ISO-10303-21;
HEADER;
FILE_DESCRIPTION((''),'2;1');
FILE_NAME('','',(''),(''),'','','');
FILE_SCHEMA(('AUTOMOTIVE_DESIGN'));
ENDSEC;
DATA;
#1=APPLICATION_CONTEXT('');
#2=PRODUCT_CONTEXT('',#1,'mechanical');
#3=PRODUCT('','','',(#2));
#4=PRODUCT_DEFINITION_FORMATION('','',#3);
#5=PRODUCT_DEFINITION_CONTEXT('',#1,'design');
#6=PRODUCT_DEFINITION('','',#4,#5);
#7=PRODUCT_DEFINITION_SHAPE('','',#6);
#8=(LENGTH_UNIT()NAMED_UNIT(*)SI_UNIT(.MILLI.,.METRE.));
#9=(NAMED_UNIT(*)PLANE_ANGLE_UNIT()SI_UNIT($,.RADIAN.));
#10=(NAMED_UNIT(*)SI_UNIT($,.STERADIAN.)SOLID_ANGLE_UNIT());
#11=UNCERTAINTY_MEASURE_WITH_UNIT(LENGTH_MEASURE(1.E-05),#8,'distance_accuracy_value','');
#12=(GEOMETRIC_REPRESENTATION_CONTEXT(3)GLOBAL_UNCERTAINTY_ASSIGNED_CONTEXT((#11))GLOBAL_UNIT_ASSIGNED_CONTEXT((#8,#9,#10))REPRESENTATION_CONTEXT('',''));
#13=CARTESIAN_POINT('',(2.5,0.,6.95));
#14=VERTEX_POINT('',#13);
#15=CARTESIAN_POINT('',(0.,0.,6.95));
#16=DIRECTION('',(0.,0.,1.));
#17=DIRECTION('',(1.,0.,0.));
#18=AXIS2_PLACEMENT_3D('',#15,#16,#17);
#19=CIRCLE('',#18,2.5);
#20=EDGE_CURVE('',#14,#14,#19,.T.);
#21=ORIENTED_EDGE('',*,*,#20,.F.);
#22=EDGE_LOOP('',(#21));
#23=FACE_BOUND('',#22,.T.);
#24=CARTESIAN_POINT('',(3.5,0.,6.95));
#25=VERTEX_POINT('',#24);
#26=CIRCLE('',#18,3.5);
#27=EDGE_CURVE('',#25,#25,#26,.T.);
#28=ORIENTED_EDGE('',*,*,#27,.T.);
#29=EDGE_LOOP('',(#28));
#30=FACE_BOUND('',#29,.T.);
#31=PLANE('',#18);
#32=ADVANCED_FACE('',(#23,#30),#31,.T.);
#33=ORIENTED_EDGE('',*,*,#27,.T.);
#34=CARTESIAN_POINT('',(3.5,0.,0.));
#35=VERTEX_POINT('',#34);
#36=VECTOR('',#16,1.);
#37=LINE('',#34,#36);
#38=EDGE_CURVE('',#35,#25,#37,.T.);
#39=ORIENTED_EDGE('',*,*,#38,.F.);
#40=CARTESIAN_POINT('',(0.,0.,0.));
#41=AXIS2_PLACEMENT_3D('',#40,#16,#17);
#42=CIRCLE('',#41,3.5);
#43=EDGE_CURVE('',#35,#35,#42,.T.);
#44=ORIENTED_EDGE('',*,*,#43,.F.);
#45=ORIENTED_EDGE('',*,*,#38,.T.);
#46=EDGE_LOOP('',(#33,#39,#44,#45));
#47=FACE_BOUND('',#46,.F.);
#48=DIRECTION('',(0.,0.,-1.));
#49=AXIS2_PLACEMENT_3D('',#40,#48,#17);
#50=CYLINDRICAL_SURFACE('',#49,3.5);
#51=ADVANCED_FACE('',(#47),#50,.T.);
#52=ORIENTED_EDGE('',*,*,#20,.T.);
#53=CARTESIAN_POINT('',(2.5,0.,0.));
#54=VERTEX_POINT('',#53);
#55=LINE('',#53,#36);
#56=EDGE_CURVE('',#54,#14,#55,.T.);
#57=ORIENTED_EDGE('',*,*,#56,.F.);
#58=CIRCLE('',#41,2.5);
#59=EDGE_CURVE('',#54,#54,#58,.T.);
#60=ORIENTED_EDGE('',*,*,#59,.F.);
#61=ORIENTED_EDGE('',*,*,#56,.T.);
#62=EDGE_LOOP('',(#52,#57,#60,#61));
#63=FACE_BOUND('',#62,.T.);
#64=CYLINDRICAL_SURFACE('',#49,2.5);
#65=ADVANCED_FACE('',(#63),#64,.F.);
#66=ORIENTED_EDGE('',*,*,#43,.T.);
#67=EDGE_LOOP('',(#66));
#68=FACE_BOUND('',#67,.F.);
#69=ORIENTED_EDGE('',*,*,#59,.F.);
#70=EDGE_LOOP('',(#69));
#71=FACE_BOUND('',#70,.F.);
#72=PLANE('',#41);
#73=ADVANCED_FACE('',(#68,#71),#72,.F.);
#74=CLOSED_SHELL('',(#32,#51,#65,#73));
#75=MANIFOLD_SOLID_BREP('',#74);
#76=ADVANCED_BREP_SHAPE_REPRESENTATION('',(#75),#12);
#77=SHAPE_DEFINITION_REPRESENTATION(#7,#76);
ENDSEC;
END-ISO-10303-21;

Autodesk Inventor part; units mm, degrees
ref_plane "YZ Plane" through (0, 0, 0) normal (1, 0, 0) x (0, 1, 0)
ref_plane "XZ Plane" through (0, 0, 0) normal (0, 1, 0) x (-1, 0, 0)
ref_plane "XY Plane" through (0, 0, 0) normal (0, 0, 1) x (1, 0, 0)
sketch "Szkic1" plane through (0, 0, 0) normal (0, 0, 1) x (1, 0, 0)
  circle A0 centre (0, 0) radius 2.5
  circle A1 centre (0, 0) radius 3.5
  dimension "d0" = 5
  dimension "d1" = 7
extrude "Wyciągnięcie proste1" add sketch "Szkic1" along normal blind 6.95
properties part number "tuleja"
